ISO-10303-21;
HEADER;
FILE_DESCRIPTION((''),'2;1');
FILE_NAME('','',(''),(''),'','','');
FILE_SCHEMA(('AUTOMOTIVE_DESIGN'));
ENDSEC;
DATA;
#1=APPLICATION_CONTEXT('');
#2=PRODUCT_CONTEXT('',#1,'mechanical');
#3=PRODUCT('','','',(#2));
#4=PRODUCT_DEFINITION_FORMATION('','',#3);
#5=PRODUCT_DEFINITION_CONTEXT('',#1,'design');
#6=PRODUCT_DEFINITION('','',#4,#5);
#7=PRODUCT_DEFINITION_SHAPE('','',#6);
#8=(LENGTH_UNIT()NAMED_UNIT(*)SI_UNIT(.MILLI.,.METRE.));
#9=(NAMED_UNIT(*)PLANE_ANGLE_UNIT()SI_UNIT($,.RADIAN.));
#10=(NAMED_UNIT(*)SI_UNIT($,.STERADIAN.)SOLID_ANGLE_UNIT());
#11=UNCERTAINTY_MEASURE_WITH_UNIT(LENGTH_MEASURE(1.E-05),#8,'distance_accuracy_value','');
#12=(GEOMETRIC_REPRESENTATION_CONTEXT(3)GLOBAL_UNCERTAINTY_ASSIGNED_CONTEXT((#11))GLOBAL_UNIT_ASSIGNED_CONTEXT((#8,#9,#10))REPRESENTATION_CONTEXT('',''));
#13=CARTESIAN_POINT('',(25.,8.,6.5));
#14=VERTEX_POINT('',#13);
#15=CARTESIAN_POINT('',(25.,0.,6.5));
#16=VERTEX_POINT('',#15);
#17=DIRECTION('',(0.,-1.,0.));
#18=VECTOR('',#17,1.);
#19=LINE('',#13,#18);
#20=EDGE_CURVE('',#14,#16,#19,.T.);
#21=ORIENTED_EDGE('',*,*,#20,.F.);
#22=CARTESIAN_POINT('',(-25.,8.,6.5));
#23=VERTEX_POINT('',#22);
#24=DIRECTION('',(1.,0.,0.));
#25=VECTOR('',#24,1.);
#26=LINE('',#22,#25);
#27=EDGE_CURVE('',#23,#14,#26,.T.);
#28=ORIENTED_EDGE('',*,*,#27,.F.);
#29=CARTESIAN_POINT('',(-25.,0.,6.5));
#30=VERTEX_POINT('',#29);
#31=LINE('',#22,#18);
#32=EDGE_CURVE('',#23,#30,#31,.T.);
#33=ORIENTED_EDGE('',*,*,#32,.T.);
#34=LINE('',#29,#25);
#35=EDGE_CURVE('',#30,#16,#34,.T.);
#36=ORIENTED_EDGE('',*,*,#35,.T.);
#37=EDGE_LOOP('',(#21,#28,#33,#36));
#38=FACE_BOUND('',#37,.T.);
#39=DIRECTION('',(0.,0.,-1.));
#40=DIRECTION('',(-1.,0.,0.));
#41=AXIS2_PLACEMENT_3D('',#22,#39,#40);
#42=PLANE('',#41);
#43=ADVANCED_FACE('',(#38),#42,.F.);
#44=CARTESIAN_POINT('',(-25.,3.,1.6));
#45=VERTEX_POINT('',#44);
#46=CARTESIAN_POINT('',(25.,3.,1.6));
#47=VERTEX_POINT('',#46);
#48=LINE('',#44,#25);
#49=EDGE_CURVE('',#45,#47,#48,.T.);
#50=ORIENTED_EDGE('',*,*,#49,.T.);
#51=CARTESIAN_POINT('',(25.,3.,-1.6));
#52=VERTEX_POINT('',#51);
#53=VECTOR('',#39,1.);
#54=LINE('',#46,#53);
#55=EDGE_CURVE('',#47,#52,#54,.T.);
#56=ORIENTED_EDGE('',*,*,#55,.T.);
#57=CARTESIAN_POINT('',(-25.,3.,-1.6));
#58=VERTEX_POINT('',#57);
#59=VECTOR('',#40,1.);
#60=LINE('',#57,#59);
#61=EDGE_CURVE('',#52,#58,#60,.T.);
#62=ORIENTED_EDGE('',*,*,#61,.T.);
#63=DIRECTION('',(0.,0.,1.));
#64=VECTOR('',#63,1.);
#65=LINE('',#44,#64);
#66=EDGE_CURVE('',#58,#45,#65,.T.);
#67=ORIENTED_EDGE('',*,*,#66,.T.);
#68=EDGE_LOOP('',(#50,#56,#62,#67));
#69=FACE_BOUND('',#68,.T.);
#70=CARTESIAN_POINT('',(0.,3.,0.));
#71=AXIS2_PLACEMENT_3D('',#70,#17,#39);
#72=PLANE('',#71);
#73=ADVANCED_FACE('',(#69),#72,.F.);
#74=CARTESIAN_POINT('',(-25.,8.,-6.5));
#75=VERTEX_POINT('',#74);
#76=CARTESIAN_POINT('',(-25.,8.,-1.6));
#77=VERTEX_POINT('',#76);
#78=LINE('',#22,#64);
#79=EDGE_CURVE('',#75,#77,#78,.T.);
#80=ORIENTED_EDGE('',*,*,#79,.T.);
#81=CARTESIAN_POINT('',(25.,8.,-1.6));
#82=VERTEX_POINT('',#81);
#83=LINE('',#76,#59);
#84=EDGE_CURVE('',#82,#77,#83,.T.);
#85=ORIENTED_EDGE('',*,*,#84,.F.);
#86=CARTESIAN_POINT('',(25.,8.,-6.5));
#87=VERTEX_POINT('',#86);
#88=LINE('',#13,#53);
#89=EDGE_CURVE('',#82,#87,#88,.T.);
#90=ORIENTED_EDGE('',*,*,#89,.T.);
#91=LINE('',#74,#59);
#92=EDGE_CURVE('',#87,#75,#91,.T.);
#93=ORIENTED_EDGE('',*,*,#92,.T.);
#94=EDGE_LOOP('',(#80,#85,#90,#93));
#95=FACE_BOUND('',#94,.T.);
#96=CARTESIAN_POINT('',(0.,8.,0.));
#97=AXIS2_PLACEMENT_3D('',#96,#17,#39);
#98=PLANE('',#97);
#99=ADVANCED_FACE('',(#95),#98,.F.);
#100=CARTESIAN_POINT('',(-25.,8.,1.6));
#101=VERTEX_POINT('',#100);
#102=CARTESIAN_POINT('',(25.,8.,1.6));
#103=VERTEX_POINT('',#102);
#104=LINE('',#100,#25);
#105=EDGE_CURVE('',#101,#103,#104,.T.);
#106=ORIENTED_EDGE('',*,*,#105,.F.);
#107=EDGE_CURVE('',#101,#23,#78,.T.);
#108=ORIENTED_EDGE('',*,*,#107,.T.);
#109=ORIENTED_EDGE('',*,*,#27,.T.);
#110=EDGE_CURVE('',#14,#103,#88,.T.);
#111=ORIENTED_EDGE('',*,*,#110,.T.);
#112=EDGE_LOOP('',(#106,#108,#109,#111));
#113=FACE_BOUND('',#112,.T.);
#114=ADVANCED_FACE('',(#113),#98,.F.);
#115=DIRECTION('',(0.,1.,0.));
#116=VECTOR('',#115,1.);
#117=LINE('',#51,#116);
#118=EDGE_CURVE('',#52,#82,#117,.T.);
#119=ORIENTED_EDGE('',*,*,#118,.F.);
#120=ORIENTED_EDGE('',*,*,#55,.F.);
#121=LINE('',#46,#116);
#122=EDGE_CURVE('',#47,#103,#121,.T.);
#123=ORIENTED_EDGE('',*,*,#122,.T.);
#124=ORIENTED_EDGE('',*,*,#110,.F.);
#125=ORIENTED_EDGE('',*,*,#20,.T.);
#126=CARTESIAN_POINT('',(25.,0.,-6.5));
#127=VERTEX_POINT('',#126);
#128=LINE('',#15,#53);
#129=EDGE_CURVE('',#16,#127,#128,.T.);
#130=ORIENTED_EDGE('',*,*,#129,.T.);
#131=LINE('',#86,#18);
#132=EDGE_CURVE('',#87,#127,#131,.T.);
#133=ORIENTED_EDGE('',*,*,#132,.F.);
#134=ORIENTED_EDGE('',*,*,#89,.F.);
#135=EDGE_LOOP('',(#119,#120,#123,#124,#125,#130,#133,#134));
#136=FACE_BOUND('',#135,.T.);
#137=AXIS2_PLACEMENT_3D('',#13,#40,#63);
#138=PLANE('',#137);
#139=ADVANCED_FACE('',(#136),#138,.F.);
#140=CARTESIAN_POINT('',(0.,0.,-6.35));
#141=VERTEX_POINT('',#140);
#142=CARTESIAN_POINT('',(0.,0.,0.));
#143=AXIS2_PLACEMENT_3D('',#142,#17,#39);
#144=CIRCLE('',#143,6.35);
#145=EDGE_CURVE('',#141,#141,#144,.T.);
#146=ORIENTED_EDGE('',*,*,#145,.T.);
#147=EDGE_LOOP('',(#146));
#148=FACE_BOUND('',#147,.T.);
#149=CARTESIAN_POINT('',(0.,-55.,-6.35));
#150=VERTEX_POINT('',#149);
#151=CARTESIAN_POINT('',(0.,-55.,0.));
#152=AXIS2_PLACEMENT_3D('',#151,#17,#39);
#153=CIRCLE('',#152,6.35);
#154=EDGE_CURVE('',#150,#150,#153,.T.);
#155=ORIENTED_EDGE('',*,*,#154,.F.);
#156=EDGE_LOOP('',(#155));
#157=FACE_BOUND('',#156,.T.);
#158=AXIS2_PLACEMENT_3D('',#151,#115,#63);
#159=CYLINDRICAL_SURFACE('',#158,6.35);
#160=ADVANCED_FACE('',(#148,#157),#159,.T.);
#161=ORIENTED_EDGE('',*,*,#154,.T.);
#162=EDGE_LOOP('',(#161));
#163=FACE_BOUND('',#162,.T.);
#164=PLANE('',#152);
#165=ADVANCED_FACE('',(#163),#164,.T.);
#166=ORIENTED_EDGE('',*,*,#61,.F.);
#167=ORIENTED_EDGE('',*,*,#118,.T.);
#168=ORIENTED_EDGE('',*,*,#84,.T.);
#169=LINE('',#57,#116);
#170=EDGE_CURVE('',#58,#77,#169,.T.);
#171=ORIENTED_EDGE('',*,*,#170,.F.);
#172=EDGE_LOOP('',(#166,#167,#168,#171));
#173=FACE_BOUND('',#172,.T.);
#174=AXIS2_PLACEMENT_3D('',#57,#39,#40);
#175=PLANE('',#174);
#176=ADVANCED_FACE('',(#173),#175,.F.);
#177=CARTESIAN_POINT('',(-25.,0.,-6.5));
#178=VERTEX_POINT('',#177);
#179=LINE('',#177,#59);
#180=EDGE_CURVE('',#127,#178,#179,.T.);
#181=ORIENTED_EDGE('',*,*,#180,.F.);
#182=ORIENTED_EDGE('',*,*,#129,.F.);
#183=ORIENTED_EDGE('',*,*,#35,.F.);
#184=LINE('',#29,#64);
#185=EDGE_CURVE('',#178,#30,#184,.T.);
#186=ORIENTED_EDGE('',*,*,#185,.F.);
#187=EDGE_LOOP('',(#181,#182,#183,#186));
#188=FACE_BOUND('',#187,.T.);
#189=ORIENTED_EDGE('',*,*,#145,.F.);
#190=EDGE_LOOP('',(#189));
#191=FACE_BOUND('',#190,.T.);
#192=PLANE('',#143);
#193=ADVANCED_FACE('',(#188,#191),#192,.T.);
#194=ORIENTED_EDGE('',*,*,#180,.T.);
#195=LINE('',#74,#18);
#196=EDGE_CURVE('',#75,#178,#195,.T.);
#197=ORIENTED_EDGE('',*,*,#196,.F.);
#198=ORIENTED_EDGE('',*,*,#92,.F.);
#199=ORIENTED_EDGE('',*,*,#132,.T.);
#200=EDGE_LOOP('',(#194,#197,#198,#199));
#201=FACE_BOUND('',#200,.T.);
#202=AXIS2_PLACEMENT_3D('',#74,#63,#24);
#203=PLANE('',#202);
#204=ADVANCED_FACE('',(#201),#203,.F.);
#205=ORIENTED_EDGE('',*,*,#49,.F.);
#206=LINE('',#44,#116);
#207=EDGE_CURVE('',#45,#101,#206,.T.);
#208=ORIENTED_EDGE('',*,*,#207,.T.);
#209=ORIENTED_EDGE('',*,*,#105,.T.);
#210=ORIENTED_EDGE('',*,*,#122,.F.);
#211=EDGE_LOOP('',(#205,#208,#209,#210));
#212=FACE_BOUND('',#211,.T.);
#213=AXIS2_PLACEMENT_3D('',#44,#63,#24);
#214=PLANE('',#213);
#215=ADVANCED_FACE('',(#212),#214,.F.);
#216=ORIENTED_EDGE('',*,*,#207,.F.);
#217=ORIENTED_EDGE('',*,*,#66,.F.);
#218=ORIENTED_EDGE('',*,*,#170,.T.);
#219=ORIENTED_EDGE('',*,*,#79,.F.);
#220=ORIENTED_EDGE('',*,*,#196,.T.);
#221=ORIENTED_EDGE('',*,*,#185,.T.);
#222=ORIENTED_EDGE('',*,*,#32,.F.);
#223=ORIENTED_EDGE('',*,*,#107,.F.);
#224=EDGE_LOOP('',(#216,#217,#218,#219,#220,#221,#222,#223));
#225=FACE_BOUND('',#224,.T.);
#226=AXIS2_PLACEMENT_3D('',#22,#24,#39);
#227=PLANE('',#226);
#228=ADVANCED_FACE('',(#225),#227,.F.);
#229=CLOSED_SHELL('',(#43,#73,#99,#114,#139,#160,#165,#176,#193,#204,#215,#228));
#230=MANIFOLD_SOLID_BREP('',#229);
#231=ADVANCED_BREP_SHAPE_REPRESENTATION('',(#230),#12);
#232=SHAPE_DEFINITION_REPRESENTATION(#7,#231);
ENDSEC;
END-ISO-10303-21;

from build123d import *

# Parameters (mm, degrees)
SKETCH_1_W          = 50
SKETCH_1_H          = 13
EXTRUDE_1_DEPTH     = 8
SKETCH_2_R          = 6.35
EXTRUDE_2_DEPTH     = 55
SKETCH_3_W          = 50
SKETCH_3_H          = 3.2
CUT_EXTRUDE_1_DEPTH = 5


with BuildPart() as part:
    # 草图1 → 凸台-拉伸1 (new body)
    with BuildSketch(Plane(origin=(0, 0, 0), x_dir=(1, 0, 0), z_dir=(0, 1, 0))):
        Rectangle(SKETCH_1_W, SKETCH_1_H)
    extrude(amount=EXTRUDE_1_DEPTH)

    # 草图2 → 凸台-拉伸2 (add)
    with BuildSketch(Plane.XZ):
        with Locations(Location((0, 0, 0), (0, 0, 270))):
            Circle(SKETCH_2_R)
    extrude(amount=EXTRUDE_2_DEPTH)

    # 草图3 → 切除-拉伸1 (cut)
    with BuildSketch(Plane(origin=(0, 8, 0), x_dir=(1, 0, 0), z_dir=(0, 1, 0))):
        Rectangle(SKETCH_3_W, SKETCH_3_H)
    extrude(amount=-CUT_EXTRUDE_1_DEPTH, mode=Mode.SUBTRACT)


solid = part.part
